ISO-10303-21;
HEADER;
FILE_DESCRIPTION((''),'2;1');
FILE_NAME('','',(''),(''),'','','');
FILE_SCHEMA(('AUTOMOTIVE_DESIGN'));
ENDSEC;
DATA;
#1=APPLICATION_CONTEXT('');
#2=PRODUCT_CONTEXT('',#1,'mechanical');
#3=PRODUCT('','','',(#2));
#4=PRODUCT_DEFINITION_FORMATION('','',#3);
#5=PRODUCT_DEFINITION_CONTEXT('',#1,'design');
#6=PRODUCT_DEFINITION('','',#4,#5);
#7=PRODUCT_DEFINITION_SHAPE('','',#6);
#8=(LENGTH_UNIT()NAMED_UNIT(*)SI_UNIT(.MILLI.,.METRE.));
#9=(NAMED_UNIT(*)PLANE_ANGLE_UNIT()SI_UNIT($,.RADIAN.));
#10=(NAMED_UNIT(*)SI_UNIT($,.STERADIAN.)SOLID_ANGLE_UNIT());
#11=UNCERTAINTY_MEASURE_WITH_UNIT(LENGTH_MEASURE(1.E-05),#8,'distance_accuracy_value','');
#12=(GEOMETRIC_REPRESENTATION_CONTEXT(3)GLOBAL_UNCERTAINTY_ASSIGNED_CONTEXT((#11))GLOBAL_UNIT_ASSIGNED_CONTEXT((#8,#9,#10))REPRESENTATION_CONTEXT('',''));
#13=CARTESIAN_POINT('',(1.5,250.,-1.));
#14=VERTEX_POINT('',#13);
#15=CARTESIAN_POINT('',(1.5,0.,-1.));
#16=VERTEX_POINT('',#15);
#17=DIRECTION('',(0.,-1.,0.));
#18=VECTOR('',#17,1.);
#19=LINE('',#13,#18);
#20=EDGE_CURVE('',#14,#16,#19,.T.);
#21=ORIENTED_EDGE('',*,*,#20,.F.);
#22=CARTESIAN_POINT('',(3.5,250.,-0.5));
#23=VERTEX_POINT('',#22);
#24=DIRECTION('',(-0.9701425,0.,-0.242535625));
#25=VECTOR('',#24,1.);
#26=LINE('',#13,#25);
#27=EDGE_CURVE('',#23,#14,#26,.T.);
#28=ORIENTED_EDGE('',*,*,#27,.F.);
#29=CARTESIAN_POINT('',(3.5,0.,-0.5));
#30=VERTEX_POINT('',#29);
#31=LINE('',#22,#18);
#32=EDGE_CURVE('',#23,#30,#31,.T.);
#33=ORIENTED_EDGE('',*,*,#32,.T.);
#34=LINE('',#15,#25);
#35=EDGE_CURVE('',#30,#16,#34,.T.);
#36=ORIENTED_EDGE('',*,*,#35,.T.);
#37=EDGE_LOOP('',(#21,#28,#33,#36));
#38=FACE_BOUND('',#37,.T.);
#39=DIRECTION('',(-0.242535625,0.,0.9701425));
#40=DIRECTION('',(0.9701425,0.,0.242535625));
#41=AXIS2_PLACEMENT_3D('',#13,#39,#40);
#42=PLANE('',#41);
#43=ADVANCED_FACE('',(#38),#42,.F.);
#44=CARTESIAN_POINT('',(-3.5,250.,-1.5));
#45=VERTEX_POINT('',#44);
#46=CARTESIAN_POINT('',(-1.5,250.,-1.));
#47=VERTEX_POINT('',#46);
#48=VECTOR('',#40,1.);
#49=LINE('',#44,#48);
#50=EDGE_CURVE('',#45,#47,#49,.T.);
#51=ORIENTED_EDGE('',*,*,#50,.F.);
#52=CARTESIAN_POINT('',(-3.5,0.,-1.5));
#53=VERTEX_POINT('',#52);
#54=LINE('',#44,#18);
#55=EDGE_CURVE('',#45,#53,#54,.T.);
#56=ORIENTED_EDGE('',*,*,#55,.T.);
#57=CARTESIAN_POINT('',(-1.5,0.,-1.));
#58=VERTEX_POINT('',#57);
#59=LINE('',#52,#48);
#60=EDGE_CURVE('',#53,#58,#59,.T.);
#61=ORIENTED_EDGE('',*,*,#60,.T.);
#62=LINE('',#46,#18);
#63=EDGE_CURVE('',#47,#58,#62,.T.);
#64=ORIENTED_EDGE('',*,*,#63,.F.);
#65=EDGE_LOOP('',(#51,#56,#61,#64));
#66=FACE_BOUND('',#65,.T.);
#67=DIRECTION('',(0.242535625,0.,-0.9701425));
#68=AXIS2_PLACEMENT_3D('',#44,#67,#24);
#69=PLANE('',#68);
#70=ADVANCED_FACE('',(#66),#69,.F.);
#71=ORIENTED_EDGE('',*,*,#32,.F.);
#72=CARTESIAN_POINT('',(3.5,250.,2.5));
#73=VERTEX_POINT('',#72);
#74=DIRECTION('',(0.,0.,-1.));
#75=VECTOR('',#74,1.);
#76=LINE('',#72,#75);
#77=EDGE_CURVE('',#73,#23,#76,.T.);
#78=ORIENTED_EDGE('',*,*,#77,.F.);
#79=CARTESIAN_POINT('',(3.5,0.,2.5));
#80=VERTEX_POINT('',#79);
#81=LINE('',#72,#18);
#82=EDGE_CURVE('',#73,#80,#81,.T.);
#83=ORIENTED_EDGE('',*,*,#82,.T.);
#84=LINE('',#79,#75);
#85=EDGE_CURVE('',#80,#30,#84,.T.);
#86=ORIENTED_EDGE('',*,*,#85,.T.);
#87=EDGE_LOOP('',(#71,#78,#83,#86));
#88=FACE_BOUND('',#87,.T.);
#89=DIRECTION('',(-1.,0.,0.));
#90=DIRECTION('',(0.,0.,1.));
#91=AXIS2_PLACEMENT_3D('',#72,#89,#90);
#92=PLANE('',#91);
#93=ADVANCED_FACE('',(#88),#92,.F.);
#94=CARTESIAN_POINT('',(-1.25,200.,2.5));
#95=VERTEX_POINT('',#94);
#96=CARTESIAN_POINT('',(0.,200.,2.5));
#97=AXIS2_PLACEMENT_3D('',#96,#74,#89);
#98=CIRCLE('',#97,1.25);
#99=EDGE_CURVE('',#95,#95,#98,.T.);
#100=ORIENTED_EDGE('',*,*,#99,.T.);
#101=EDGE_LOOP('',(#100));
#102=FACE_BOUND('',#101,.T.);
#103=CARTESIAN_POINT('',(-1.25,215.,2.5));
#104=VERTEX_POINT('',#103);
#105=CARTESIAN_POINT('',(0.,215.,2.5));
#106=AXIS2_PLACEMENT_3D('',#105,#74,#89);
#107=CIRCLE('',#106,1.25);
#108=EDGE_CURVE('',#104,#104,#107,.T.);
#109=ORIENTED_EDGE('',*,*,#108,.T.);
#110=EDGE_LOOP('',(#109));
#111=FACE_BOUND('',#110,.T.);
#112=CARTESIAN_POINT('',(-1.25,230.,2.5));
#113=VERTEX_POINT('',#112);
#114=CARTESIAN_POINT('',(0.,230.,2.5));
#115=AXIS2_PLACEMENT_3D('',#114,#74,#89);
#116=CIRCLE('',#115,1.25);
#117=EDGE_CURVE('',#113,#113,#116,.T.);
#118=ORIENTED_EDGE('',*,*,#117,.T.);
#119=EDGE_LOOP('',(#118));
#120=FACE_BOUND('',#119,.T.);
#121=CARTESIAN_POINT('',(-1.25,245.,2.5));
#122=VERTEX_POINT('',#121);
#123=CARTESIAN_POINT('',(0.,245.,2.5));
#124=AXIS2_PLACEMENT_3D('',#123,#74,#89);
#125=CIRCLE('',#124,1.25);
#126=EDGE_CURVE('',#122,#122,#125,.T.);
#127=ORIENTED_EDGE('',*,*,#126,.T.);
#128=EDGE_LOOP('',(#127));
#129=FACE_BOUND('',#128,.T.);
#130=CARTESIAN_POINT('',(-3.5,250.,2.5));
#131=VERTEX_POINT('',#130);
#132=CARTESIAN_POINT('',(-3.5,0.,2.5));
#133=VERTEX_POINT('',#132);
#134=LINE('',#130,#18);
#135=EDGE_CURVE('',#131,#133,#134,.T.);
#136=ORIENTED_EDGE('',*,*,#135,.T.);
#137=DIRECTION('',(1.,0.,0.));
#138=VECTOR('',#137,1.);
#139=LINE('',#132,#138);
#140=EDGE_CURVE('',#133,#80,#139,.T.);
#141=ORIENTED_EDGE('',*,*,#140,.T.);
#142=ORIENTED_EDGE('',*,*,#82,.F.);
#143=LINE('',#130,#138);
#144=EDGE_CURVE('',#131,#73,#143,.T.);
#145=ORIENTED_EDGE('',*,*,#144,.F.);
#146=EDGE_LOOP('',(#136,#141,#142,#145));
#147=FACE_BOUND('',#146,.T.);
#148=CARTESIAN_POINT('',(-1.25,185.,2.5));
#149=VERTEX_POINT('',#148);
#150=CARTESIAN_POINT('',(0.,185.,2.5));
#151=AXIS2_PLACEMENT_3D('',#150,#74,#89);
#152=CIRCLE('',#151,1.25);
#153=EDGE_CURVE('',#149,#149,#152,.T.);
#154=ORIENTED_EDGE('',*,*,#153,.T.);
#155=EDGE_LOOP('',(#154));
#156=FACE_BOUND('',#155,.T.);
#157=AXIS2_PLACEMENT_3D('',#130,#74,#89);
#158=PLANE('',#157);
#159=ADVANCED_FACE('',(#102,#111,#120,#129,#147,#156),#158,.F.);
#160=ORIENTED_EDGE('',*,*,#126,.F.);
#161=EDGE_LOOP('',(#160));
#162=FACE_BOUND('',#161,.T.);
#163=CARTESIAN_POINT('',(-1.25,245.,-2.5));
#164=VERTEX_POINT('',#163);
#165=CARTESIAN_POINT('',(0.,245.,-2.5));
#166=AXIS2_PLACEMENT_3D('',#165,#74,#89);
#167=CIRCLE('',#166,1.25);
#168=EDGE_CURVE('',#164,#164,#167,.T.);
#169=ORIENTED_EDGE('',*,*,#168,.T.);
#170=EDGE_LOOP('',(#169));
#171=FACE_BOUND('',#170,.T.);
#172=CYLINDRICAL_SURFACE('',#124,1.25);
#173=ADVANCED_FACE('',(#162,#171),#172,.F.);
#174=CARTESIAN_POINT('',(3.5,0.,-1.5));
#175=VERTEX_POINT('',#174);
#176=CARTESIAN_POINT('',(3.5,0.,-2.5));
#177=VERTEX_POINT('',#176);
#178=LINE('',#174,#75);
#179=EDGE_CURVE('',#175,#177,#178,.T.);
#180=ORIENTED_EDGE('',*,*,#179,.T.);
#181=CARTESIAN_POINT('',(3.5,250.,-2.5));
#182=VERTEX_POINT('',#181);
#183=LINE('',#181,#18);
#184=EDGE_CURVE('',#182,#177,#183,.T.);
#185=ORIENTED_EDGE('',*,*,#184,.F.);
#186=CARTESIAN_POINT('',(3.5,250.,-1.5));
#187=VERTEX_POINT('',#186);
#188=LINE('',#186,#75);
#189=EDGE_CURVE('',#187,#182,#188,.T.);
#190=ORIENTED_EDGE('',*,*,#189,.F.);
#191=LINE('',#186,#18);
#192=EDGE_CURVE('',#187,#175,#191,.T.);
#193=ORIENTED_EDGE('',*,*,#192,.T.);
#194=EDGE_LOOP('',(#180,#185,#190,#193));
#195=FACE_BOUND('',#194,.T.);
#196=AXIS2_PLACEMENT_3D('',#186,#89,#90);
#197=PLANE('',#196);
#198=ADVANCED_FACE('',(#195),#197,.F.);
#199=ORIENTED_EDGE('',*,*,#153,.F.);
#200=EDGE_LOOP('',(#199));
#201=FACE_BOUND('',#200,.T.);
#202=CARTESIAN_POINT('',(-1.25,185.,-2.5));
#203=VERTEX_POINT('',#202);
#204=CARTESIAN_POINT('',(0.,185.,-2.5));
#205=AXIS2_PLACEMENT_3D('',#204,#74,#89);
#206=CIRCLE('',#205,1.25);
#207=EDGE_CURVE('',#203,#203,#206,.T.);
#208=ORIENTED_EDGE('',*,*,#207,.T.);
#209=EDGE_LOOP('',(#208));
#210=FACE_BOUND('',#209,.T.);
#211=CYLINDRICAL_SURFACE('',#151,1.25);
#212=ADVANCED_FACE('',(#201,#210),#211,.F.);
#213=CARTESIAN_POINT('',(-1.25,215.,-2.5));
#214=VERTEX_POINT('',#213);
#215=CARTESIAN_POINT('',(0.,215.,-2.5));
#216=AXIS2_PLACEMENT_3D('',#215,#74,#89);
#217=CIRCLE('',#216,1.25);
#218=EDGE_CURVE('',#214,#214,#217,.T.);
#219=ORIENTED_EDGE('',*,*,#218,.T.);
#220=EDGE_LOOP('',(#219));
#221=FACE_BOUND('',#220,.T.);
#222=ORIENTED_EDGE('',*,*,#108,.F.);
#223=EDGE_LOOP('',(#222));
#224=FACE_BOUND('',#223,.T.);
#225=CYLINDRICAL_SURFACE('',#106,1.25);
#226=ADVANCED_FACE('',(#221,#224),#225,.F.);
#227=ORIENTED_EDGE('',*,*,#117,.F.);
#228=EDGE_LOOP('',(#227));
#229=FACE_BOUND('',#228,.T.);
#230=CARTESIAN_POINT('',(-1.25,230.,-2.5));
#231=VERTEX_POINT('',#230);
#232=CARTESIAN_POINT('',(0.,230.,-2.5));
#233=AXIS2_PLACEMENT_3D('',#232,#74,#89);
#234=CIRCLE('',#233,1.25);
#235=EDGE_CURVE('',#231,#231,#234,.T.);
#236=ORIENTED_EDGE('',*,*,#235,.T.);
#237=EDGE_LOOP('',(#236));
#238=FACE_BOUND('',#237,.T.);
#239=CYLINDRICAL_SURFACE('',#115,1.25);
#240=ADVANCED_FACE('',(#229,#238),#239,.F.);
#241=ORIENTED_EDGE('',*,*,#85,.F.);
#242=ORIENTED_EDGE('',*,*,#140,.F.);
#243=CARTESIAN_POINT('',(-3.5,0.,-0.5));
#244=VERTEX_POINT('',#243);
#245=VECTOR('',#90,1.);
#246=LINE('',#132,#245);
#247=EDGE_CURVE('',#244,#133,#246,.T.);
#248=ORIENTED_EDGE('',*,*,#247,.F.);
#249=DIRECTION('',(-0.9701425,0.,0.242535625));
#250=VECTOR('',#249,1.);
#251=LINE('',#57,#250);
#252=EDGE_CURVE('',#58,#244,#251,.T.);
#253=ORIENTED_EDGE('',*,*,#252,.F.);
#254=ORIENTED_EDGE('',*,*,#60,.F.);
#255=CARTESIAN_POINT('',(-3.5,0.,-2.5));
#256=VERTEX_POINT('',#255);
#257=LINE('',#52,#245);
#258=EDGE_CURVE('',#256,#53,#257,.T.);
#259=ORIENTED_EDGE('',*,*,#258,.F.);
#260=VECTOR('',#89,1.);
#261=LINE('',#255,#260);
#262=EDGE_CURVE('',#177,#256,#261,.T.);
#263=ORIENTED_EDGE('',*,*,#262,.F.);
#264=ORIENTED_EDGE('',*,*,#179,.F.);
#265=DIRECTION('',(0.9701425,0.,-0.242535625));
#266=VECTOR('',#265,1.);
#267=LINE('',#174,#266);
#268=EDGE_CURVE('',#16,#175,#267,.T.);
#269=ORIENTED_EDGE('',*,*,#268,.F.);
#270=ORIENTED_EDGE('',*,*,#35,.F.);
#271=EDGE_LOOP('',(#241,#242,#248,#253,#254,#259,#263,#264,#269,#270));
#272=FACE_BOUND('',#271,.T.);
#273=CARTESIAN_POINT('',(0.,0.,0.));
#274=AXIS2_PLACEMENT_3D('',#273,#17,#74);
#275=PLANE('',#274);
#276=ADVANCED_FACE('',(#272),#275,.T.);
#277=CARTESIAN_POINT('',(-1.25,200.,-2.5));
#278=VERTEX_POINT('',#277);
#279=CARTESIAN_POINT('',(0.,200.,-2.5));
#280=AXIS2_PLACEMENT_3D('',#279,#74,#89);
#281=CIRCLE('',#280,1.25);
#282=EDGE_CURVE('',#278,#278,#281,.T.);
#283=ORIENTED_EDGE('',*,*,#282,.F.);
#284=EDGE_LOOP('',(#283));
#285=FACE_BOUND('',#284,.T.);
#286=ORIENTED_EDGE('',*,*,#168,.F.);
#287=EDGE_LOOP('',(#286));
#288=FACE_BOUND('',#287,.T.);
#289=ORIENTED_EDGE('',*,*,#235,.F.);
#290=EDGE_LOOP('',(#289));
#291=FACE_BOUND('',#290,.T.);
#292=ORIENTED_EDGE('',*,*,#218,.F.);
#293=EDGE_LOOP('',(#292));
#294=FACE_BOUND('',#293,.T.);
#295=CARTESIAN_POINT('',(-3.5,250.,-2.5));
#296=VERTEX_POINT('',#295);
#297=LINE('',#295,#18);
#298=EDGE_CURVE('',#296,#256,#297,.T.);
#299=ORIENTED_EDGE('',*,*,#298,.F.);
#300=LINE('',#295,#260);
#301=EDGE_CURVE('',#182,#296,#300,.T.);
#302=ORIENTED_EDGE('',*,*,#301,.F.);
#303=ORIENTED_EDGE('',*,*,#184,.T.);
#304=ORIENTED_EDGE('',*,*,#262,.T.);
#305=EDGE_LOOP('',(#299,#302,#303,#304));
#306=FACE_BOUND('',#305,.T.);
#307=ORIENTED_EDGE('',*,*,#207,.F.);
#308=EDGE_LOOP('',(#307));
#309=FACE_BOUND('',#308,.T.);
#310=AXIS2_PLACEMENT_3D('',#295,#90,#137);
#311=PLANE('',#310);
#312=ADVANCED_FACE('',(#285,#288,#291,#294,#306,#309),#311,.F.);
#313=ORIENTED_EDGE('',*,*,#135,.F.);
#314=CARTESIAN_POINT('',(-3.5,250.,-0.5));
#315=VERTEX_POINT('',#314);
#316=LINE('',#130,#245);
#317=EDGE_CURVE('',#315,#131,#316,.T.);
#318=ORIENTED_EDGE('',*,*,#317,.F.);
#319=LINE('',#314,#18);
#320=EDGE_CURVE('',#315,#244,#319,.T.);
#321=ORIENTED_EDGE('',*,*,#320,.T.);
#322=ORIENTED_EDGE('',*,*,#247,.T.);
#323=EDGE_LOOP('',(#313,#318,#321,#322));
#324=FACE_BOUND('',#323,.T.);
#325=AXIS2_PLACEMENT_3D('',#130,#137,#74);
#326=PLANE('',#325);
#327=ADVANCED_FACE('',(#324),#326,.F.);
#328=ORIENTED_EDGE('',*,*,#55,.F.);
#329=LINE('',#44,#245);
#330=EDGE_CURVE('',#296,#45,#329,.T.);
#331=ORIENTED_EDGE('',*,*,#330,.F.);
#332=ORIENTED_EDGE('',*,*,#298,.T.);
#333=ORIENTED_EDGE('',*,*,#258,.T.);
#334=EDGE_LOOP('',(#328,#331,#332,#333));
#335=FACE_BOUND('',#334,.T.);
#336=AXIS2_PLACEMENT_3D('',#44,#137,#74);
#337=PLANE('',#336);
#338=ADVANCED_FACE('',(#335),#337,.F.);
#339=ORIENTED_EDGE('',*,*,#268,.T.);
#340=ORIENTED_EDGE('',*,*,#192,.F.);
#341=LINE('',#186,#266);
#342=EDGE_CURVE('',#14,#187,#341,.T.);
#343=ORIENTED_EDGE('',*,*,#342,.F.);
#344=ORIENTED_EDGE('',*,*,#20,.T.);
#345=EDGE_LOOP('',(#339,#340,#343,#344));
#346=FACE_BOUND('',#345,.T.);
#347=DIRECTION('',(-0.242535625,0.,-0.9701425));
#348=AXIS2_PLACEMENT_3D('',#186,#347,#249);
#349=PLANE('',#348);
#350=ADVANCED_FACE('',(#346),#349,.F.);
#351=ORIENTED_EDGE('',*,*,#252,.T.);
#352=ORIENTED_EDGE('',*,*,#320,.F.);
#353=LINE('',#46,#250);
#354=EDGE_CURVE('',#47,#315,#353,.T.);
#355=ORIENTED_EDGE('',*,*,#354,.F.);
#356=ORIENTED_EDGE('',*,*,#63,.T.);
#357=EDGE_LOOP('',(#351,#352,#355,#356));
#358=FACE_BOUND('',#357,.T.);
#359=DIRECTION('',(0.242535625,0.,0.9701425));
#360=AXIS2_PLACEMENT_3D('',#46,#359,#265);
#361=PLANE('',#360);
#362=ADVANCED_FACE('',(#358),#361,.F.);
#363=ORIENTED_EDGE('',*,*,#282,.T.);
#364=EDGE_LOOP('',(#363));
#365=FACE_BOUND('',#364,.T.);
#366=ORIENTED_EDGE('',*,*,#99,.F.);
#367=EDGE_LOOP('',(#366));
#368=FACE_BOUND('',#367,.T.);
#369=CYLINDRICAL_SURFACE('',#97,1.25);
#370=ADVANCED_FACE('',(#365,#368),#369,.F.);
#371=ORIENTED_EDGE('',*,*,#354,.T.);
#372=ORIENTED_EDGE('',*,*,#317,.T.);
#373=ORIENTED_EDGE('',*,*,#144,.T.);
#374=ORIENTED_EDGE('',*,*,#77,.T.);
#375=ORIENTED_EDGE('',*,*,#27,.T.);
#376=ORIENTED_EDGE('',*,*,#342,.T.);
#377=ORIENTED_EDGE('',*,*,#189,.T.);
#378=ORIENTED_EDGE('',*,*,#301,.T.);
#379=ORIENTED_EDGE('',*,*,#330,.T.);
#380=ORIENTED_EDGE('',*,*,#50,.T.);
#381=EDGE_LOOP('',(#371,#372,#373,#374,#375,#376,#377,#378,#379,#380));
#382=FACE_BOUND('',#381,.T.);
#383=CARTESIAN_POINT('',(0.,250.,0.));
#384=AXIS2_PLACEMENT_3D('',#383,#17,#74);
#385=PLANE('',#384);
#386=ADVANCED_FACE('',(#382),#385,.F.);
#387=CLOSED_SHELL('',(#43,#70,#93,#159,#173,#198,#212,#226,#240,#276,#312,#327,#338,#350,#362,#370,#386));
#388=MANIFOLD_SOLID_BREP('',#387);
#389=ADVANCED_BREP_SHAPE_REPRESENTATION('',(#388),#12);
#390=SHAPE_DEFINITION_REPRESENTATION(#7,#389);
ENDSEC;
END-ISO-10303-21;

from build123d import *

# Parameters (mm, degrees)
EXTRUDE_1_DEPTH        = 250
SKETCH_2_R             = 1.25
CUT_EXTRUDE_3_DEPTH    = 251.074488903
PATTERN_LINEAR_1_COUNT = 5
PATTERN_LINEAR_1_PITCH = 15


with BuildPart() as part:
    # 草图1 → 凸台-拉伸1 (new body)
    with BuildSketch(Plane(origin=(0, 0, 0), x_dir=(1, 0, 0), z_dir=(0, 1, 0))):
        Polygon((-3.5, 1.5), (-1.5, 1), (-3.5, 0.5), (-3.5, -2.5), (3.5, -2.5), (3.5, 0.5), (1.5, 1), (3.5, 1.5), (3.5, 2.5), (-3.5, 2.5), align=None)
    extrude(amount=EXTRUDE_1_DEPTH)

    # 草图2 → 切除-拉伸3 (cut, through all)
    with BuildSketch(Plane(origin=(0, 0, -2.5), x_dir=(-1, 0, 0), z_dir=(0, 0, -1))):
        with Locations((0, 245)):
            Circle(SKETCH_2_R)
    cut_extrude_3 = extrude(amount=-CUT_EXTRUDE_3_DEPTH, mode=Mode.SUBTRACT)

    # 阵列(线性)1: 切除-拉伸3 ×5
    with Locations(*[(0, -i * PATTERN_LINEAR_1_PITCH, 0) for i in range(1, PATTERN_LINEAR_1_COUNT)]):
        add(cut_extrude_3, mode=Mode.SUBTRACT)


solid = part.part
